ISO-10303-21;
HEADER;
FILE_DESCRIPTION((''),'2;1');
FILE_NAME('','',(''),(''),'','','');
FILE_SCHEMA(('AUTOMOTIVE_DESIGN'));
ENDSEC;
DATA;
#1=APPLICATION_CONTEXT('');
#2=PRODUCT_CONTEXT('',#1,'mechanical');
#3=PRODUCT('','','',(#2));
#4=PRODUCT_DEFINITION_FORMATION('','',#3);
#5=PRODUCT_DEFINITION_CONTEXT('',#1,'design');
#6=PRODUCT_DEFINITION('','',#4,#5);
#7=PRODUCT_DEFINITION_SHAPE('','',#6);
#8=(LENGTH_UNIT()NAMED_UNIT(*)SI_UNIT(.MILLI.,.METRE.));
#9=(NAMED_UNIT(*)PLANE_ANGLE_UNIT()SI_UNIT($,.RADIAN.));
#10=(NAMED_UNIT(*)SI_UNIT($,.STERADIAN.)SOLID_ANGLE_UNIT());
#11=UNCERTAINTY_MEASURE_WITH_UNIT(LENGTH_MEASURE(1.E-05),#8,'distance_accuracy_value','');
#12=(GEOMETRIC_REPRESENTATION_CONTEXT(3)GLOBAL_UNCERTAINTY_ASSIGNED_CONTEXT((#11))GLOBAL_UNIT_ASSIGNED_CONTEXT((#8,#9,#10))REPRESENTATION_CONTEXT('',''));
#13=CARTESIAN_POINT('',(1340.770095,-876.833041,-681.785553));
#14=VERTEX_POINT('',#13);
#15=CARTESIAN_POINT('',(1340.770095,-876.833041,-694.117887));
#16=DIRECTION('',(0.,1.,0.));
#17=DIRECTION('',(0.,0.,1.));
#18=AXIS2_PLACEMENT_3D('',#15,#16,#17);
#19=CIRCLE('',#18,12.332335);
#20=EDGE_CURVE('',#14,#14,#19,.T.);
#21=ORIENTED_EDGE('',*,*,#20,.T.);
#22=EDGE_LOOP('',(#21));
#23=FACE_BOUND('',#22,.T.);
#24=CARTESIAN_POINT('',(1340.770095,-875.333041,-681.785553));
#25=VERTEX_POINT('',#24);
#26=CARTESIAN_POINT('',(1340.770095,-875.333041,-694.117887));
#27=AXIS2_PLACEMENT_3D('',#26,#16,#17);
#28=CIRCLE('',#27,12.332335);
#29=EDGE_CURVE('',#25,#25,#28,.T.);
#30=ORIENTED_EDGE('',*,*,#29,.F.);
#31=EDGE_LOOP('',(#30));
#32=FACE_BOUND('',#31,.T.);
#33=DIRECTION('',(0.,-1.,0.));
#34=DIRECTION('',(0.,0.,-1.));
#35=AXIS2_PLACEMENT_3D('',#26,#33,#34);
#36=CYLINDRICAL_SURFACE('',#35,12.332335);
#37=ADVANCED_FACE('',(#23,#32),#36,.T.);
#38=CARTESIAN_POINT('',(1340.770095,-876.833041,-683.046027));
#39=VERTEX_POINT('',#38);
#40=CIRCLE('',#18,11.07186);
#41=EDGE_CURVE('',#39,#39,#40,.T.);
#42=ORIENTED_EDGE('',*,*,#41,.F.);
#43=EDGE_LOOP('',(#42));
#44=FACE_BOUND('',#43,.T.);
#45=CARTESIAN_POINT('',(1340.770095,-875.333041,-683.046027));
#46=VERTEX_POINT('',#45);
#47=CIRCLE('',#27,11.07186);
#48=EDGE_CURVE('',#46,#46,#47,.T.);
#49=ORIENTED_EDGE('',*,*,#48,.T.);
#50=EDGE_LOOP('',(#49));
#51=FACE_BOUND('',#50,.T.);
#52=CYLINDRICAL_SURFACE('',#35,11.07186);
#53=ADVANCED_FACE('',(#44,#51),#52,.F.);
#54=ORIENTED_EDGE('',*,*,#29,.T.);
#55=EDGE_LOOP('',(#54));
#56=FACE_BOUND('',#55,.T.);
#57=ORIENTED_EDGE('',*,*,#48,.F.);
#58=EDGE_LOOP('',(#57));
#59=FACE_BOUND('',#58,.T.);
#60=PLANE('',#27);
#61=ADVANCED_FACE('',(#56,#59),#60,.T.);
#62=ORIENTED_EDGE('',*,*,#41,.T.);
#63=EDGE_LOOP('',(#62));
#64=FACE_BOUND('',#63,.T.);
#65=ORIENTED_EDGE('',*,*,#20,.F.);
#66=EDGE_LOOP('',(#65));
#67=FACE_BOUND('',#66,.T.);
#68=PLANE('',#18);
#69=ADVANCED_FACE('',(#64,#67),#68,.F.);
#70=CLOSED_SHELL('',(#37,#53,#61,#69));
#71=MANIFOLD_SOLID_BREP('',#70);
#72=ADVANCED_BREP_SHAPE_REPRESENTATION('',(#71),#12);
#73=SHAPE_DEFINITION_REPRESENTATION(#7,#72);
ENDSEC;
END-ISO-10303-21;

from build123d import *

# Parameters (mm, degrees)
SKETCH3_R           = 12.33233452
SKETCH3_R_2         = 11.071859559
BOSS_EXTRUDE2_DEPTH = 1.5


with BuildPart() as part:
    # Sketch3 → Boss-Extrude2 (new body)
    with BuildSketch(Plane(origin=(0, -876.833041125, 0), x_dir=(1, 0, 0), z_dir=(0, 1, 0))):
        with Locations(Location((1340.770095211, 694.117887031, 0), (0, 0, 270))):
            Circle(SKETCH3_R)
        with Locations(Location((1340.770095211, 694.117887031, 0), (0, 0, 270))):
            Circle(SKETCH3_R_2, mode=Mode.SUBTRACT)
    extrude(amount=BOSS_EXTRUDE2_DEPTH)


solid = part.part
